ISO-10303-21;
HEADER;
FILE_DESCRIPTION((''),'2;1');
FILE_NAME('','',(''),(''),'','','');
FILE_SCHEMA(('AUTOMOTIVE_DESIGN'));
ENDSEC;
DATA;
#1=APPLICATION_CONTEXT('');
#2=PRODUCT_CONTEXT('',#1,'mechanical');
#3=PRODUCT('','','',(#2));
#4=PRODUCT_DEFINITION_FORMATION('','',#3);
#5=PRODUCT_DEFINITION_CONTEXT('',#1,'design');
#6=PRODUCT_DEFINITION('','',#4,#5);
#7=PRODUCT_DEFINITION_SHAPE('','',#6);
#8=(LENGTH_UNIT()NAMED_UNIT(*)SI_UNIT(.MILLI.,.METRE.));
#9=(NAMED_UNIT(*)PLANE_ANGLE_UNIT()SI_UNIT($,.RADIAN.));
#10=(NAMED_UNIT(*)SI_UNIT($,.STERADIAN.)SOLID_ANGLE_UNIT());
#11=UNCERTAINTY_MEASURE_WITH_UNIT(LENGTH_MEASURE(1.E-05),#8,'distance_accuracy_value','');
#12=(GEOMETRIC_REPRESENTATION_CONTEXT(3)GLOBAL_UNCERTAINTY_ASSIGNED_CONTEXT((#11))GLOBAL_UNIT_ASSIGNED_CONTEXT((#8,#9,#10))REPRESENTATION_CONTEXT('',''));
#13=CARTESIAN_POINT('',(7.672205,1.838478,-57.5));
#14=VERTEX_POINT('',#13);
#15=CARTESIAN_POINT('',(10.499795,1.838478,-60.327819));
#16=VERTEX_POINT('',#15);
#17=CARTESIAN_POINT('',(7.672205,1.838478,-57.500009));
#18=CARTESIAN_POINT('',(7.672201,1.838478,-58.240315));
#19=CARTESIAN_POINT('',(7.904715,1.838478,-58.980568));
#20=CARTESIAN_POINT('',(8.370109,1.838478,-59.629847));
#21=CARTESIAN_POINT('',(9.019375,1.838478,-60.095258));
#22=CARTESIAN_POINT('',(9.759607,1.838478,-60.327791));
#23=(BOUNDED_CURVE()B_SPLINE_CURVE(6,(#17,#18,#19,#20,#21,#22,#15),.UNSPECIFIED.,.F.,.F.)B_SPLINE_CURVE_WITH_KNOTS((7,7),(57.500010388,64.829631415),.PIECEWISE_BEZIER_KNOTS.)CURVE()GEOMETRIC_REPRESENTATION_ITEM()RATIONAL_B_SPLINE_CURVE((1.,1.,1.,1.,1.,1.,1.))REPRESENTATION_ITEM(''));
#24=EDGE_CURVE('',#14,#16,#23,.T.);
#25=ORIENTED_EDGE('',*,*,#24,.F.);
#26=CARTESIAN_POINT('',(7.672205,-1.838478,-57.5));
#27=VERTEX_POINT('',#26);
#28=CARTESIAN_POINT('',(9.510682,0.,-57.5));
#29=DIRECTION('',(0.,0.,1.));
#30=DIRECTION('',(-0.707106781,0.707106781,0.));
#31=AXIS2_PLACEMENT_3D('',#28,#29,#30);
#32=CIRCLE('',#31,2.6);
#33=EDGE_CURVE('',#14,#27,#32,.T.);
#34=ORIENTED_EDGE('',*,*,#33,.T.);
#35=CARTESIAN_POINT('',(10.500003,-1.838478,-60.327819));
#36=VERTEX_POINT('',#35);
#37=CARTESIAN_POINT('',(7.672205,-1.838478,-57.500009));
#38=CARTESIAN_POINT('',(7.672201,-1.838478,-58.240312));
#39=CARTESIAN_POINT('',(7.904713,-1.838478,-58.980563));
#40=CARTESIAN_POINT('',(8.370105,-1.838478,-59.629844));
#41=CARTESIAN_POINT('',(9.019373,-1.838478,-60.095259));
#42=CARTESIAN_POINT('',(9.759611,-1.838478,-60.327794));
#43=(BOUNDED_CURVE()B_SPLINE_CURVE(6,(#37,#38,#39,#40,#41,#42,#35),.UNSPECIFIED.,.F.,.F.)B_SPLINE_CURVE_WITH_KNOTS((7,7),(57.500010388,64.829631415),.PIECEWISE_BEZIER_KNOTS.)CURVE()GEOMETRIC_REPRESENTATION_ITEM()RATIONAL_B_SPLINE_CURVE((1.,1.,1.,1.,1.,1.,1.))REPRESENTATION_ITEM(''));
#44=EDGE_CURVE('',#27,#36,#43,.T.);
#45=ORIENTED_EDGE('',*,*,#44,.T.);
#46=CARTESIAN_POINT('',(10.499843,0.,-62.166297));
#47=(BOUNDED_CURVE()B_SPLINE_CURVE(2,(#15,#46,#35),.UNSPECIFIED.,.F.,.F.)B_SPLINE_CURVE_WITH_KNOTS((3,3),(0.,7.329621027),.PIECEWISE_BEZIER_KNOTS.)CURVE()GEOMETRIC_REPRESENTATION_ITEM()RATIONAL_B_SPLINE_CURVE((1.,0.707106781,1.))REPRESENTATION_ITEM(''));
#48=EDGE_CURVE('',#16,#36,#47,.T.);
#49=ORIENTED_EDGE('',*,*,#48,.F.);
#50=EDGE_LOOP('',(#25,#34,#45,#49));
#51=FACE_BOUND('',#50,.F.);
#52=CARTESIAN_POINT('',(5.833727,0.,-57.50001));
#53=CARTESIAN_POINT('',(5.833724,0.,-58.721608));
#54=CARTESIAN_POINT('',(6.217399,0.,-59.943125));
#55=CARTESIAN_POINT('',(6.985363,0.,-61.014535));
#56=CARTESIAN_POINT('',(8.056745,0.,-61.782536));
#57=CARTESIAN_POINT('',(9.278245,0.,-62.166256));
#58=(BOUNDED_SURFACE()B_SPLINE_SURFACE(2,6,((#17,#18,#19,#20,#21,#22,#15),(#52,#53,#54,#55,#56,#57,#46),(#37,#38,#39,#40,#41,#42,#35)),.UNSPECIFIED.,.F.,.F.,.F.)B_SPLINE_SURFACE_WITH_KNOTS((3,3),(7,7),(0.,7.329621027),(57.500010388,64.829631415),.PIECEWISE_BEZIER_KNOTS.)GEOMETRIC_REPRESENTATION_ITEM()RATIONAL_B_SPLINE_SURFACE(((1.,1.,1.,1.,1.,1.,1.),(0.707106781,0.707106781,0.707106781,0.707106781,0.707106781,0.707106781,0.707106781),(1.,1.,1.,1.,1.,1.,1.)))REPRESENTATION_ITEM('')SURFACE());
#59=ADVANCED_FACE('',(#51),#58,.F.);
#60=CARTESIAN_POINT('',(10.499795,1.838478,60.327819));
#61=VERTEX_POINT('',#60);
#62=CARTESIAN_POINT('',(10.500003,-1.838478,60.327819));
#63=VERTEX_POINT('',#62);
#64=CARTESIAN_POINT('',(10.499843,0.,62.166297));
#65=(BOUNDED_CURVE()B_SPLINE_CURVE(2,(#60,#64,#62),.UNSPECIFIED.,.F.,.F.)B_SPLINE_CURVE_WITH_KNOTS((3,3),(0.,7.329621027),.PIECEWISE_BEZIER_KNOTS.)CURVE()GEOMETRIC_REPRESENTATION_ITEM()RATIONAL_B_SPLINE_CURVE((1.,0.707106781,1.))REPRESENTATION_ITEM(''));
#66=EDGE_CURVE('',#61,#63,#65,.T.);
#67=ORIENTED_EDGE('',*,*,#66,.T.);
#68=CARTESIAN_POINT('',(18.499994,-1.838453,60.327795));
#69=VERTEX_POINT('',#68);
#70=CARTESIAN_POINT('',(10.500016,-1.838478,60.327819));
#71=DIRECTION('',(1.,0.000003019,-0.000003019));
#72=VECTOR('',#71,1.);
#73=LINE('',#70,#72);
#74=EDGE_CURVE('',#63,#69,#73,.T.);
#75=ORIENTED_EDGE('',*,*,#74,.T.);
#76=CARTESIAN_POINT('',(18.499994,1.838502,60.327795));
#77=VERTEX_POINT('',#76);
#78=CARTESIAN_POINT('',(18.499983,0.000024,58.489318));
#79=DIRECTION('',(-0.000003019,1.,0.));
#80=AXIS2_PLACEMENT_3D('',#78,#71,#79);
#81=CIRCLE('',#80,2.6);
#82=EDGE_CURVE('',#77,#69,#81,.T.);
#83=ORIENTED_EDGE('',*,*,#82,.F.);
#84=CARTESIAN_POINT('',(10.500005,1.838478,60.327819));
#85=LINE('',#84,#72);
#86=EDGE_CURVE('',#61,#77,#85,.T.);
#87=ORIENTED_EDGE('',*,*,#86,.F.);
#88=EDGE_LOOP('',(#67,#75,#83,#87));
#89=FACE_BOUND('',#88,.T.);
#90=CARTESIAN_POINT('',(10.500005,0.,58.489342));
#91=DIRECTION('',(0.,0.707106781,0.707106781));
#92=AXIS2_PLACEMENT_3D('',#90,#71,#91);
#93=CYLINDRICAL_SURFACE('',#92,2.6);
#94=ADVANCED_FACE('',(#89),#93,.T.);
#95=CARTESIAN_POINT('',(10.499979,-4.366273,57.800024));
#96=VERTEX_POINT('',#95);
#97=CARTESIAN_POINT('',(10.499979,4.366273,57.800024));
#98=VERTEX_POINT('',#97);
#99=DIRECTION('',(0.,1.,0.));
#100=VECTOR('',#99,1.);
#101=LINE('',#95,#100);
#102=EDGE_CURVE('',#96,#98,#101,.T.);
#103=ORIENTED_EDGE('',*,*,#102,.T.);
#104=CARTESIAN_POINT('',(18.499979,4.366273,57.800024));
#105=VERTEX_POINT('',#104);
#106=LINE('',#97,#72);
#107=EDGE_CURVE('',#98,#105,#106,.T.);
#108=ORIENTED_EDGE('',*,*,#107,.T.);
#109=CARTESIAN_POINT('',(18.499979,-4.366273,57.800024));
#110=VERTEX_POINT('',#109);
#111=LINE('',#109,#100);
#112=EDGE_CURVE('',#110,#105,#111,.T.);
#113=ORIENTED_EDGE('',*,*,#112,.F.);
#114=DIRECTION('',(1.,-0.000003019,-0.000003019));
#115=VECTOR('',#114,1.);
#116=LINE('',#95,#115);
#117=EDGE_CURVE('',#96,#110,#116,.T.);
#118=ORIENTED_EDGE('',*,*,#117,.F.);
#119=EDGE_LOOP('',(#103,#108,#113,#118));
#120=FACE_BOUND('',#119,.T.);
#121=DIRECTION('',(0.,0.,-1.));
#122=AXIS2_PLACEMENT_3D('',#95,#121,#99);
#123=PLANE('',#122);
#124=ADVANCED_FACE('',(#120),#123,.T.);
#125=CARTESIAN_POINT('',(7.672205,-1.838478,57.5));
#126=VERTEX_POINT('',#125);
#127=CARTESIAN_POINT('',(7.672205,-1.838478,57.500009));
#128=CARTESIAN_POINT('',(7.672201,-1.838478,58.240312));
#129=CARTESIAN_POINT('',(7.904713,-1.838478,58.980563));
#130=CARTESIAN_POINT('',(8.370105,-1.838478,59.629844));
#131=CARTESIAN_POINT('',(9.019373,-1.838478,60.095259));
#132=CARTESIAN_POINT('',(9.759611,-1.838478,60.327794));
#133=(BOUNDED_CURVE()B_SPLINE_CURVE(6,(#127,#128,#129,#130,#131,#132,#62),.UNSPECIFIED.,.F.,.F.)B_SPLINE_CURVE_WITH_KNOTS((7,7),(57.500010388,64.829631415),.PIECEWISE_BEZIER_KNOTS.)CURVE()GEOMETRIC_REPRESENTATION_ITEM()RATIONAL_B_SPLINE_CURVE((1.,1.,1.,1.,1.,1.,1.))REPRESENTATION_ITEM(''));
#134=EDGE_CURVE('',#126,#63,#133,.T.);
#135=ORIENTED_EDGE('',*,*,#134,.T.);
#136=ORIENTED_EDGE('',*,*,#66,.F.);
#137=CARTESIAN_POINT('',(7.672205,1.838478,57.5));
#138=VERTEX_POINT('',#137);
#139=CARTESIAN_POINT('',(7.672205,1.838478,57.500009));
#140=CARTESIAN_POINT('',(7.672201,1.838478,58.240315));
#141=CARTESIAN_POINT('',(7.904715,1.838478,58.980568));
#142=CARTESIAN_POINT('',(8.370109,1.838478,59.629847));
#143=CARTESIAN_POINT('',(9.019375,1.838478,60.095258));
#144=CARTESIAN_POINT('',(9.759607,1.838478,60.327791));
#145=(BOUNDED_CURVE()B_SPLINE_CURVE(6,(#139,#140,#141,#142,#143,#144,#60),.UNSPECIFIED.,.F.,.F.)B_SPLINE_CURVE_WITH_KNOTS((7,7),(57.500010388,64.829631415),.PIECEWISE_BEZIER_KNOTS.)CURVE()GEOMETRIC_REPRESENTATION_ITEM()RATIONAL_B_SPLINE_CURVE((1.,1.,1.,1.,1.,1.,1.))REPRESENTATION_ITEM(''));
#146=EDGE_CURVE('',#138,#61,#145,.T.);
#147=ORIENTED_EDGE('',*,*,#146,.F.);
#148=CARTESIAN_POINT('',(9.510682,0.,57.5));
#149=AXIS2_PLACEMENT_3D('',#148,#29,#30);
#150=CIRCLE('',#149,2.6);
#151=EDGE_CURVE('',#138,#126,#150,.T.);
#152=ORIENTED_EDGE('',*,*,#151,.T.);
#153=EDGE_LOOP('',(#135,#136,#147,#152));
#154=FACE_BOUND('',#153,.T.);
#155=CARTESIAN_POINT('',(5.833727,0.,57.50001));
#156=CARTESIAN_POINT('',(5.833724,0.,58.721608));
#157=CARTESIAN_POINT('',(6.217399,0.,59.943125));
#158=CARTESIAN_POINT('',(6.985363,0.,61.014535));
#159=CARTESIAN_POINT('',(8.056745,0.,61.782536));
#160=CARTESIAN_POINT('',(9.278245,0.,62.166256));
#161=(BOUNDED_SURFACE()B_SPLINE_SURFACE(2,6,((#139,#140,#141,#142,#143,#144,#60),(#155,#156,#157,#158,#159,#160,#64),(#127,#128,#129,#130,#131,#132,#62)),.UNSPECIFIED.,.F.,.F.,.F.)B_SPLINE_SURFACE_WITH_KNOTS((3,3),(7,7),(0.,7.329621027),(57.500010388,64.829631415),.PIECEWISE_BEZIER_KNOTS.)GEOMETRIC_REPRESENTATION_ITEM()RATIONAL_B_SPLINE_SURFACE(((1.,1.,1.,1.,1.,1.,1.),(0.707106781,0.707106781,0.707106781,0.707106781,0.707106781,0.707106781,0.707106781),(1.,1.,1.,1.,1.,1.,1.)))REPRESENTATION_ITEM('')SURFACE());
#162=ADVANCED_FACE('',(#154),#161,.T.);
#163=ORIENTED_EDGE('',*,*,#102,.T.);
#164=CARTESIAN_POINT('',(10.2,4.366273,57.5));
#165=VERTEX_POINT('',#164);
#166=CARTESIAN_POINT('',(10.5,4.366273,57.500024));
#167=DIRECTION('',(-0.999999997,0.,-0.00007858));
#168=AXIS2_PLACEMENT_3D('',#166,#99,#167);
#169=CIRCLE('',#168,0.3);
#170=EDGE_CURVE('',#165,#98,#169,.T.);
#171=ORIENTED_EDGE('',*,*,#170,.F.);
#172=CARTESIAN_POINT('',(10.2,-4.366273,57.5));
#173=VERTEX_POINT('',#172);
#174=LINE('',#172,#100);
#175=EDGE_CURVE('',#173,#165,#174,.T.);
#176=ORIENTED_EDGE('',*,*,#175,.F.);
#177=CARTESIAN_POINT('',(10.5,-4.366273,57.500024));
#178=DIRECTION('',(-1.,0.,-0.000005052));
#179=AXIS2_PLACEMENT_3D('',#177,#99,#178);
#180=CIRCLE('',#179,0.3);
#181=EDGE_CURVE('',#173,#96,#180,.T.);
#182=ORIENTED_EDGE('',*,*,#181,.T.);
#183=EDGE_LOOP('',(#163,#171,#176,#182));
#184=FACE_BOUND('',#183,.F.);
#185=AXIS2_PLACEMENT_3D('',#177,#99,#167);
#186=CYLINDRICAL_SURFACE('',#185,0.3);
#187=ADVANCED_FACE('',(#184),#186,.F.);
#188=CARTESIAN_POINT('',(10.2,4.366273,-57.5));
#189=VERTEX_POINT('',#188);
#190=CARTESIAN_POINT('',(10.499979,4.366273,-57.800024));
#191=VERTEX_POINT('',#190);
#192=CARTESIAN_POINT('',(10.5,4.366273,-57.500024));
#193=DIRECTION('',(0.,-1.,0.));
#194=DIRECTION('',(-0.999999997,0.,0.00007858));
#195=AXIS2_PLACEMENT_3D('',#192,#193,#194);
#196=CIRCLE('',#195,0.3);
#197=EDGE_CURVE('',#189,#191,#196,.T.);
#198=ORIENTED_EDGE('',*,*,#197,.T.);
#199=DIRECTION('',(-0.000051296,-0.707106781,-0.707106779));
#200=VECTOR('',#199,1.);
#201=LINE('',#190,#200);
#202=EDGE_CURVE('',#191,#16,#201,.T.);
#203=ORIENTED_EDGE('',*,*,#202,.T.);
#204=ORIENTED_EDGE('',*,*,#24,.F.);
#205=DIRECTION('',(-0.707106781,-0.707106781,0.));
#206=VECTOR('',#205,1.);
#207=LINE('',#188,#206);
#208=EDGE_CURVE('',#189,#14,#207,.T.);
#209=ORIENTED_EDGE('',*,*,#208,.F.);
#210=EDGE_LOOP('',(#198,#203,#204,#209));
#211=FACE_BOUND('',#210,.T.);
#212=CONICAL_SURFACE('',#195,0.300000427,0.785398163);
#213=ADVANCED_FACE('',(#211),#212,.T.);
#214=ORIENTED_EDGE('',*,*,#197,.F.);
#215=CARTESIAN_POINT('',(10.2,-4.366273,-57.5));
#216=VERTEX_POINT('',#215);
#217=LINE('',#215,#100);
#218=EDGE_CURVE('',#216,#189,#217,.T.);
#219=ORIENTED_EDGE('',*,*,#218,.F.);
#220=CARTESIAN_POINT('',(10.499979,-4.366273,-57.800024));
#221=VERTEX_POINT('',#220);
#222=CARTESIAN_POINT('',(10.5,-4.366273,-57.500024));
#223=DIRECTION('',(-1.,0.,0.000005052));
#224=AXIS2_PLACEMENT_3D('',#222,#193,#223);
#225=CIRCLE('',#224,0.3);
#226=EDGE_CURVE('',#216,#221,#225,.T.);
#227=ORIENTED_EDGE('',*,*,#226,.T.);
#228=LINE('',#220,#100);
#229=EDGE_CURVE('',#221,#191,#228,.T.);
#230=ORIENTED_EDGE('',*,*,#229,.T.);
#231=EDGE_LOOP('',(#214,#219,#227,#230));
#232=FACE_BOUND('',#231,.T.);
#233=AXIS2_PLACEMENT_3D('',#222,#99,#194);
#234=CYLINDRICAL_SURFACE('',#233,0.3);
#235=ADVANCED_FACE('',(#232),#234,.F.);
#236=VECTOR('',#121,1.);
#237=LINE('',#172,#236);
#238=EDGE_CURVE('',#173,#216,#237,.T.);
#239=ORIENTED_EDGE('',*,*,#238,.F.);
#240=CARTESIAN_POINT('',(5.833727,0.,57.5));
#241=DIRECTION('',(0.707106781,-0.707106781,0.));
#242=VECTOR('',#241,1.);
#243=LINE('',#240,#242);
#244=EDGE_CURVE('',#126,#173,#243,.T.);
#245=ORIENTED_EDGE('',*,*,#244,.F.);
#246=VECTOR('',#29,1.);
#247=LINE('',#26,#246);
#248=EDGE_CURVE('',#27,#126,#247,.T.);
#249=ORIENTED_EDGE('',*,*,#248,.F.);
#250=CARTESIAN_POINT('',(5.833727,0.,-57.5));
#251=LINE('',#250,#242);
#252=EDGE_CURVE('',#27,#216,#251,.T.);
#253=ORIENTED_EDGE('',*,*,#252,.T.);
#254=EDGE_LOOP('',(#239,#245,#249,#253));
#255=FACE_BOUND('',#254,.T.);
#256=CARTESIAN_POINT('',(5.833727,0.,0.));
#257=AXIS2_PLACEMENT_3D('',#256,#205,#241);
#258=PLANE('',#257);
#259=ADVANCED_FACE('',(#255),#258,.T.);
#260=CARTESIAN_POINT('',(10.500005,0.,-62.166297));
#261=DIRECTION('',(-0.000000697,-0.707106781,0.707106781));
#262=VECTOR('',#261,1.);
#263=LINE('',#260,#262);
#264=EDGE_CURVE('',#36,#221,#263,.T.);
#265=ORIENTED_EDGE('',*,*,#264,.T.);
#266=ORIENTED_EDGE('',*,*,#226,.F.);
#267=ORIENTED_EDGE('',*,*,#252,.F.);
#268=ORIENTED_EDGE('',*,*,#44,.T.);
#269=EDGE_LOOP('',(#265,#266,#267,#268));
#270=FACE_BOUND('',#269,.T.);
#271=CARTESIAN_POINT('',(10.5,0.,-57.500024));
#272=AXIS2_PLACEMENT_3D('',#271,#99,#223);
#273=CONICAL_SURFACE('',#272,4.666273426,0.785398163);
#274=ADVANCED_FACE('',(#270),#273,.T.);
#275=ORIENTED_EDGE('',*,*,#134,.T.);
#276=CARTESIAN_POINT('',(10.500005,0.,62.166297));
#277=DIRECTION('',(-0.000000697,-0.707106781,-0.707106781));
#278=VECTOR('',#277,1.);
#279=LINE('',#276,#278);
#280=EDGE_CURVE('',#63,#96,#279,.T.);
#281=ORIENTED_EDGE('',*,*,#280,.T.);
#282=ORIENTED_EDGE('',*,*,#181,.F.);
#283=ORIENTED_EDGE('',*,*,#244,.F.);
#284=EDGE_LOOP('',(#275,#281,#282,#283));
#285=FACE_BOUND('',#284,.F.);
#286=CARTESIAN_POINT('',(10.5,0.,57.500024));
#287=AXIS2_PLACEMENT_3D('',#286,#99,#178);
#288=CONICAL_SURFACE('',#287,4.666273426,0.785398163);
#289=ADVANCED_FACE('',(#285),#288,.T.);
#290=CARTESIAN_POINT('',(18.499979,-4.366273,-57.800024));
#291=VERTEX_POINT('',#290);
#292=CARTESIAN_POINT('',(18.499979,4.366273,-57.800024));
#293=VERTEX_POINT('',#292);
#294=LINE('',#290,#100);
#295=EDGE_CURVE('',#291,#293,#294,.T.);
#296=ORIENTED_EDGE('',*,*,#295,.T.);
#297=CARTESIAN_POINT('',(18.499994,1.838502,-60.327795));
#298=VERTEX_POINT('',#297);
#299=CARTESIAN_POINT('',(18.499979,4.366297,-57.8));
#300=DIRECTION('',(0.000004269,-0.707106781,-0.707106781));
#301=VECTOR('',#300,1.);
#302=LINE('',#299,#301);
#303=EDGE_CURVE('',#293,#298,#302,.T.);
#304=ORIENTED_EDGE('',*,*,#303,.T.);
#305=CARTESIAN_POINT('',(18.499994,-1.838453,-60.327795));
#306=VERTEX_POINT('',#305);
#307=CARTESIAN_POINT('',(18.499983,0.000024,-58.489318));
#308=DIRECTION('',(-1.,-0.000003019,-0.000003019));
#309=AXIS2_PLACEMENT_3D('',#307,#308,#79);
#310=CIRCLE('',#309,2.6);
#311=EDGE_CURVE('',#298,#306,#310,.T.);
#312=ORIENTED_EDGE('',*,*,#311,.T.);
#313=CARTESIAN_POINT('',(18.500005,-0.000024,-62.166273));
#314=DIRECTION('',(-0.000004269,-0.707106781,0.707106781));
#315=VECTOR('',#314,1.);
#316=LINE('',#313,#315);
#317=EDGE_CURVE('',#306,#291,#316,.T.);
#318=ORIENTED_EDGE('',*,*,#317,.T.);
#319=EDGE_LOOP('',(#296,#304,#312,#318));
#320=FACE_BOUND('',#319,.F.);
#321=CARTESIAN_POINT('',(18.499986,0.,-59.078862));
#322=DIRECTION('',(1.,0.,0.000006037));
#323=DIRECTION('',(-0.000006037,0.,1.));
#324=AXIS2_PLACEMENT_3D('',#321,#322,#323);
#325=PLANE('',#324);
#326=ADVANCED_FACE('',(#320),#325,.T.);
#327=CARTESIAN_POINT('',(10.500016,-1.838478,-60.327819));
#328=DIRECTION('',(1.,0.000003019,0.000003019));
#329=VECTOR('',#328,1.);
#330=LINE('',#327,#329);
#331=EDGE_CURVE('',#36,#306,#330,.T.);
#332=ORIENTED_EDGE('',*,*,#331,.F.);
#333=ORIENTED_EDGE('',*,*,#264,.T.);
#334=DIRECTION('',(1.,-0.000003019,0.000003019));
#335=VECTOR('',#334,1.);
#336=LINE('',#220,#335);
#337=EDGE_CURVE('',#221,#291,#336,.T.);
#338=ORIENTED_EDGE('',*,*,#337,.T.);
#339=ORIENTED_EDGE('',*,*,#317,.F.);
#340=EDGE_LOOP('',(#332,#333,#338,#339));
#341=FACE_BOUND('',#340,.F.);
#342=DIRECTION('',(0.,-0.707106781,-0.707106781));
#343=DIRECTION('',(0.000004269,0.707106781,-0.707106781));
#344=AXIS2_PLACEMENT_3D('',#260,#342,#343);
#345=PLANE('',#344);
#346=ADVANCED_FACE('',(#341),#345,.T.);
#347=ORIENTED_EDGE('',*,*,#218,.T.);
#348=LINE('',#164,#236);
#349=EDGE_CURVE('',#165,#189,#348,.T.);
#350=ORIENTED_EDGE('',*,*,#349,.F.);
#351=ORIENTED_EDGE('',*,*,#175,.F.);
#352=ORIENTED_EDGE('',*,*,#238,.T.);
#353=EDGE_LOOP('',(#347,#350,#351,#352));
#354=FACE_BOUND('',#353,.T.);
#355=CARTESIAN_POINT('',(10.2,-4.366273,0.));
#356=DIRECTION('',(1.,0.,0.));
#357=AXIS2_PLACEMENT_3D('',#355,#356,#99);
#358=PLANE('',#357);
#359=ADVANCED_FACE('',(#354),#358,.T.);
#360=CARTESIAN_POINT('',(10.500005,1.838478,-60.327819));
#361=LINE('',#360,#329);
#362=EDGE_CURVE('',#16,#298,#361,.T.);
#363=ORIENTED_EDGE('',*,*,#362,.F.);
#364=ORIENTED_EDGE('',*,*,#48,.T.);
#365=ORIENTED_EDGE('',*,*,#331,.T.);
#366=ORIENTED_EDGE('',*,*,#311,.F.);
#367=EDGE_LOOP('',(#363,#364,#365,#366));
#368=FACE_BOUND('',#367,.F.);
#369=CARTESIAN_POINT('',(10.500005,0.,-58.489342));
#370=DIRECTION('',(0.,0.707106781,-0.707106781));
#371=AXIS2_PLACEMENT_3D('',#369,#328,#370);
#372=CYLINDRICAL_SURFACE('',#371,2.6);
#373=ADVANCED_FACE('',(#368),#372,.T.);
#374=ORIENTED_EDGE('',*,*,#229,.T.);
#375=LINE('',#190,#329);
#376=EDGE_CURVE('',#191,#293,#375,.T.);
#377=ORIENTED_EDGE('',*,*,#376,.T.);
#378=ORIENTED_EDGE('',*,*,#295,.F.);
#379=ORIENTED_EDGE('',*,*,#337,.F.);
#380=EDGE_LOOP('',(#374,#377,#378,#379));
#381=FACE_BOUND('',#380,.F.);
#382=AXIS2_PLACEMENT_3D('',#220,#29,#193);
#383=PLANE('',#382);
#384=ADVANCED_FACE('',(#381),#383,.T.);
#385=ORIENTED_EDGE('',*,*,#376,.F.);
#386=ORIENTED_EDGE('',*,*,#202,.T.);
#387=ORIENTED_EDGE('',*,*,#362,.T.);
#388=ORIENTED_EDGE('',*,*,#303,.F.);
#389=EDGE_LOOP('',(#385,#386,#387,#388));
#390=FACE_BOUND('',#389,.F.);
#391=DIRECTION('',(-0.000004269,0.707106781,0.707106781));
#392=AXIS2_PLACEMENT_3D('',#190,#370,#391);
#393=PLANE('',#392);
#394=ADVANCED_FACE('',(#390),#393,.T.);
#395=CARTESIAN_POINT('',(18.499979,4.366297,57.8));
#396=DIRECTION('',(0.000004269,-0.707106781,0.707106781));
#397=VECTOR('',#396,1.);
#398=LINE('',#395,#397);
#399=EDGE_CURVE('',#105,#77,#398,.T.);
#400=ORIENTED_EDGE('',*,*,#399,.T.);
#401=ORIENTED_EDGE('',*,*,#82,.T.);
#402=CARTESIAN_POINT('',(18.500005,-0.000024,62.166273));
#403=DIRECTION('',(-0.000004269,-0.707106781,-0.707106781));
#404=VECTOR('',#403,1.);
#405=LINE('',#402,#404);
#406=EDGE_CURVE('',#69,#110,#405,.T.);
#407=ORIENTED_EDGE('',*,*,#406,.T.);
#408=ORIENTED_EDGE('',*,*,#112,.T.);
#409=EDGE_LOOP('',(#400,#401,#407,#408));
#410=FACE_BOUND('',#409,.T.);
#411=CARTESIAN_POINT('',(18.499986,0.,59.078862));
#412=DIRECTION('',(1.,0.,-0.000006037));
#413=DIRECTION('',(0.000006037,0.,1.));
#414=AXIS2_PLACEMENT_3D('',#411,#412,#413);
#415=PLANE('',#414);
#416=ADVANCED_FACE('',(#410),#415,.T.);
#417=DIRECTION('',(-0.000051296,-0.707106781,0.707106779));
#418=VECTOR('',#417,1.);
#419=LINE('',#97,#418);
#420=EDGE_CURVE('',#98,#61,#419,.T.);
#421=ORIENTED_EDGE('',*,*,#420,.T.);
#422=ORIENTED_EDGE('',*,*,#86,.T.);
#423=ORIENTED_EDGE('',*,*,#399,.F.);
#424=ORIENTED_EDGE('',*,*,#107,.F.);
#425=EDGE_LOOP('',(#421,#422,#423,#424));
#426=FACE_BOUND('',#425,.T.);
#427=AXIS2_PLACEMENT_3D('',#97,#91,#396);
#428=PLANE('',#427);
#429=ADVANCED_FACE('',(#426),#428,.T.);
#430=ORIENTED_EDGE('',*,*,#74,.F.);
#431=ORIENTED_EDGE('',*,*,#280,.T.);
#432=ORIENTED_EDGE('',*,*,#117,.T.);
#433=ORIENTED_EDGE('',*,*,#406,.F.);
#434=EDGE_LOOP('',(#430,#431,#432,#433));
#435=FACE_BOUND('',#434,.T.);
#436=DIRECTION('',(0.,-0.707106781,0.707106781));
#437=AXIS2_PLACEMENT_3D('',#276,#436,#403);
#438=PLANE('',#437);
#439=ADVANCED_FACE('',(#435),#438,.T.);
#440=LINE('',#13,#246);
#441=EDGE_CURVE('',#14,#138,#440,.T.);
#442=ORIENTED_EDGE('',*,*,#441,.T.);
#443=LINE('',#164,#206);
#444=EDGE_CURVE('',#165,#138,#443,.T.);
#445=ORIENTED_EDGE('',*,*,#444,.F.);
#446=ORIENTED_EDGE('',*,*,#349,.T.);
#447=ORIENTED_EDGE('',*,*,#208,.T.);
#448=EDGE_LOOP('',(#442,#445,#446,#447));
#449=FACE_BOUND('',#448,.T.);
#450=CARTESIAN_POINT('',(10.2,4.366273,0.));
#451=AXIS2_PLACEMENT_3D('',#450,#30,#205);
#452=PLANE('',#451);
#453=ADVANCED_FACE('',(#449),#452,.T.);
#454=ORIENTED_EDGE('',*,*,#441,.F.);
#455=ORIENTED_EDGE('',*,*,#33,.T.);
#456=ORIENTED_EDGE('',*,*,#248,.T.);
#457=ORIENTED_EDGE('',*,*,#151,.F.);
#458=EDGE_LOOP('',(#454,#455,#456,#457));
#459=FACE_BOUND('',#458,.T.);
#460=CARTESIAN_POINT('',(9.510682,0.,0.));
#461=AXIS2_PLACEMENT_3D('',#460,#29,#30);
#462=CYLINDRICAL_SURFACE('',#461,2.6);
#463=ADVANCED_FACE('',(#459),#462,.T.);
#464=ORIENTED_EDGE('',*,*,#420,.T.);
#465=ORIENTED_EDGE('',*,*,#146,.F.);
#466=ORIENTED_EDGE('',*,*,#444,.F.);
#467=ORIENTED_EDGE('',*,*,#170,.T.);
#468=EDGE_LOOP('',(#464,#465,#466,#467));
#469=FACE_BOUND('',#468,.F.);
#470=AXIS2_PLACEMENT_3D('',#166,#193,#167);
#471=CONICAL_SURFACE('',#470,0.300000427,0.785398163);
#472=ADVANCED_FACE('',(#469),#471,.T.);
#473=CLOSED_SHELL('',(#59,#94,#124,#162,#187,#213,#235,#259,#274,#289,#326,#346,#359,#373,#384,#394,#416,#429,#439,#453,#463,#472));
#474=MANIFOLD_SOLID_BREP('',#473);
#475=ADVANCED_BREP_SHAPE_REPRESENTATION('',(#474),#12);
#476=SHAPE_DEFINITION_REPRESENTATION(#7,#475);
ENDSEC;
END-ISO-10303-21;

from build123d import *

# Parameters (mm, degrees)
FILLET003_R = 2.6


with BuildPart() as railfillet:
    # Sweep: sweep along a path in Sketch005
    with BuildLine(Plane.XZ) as sweep_path:
        Line((6.5, 0), (6.5, 57.5))
        ThreePointArc((6.5, 57.5), (7.671565, 60.328443), (10.500001, 61.500024))
        Line((10.500001, 61.500024), (18.500001, 61.500024))
    # Sketch011 → Sweep (sweep)
    with BuildSketch(Plane.XY):
        Polygon((10.2, 4.366273), (5.833727, 0), (10.2, -4.366273), align=None)
    sweep(path=sweep_path.line)

    # Fillet003
    fillet003_edges = [railfillet.edges().sort_by_distance(p)[0] for p in [
        (14.500005, 1.3e-05, 62.166285),
    ]]
    fillet(fillet003_edges, radius=FILLET003_R)


with BuildPart() as guide:
    # Part__Mirroring: instance of RailFillet
    add(railfillet.part.mirror(Plane(origin=(0, 0, 0), x_dir=(0, 1, 0), z_dir=(0, 0, 1))))

    # Fusion: union RailFillet
    add(railfillet.part)


solid = guide.part
